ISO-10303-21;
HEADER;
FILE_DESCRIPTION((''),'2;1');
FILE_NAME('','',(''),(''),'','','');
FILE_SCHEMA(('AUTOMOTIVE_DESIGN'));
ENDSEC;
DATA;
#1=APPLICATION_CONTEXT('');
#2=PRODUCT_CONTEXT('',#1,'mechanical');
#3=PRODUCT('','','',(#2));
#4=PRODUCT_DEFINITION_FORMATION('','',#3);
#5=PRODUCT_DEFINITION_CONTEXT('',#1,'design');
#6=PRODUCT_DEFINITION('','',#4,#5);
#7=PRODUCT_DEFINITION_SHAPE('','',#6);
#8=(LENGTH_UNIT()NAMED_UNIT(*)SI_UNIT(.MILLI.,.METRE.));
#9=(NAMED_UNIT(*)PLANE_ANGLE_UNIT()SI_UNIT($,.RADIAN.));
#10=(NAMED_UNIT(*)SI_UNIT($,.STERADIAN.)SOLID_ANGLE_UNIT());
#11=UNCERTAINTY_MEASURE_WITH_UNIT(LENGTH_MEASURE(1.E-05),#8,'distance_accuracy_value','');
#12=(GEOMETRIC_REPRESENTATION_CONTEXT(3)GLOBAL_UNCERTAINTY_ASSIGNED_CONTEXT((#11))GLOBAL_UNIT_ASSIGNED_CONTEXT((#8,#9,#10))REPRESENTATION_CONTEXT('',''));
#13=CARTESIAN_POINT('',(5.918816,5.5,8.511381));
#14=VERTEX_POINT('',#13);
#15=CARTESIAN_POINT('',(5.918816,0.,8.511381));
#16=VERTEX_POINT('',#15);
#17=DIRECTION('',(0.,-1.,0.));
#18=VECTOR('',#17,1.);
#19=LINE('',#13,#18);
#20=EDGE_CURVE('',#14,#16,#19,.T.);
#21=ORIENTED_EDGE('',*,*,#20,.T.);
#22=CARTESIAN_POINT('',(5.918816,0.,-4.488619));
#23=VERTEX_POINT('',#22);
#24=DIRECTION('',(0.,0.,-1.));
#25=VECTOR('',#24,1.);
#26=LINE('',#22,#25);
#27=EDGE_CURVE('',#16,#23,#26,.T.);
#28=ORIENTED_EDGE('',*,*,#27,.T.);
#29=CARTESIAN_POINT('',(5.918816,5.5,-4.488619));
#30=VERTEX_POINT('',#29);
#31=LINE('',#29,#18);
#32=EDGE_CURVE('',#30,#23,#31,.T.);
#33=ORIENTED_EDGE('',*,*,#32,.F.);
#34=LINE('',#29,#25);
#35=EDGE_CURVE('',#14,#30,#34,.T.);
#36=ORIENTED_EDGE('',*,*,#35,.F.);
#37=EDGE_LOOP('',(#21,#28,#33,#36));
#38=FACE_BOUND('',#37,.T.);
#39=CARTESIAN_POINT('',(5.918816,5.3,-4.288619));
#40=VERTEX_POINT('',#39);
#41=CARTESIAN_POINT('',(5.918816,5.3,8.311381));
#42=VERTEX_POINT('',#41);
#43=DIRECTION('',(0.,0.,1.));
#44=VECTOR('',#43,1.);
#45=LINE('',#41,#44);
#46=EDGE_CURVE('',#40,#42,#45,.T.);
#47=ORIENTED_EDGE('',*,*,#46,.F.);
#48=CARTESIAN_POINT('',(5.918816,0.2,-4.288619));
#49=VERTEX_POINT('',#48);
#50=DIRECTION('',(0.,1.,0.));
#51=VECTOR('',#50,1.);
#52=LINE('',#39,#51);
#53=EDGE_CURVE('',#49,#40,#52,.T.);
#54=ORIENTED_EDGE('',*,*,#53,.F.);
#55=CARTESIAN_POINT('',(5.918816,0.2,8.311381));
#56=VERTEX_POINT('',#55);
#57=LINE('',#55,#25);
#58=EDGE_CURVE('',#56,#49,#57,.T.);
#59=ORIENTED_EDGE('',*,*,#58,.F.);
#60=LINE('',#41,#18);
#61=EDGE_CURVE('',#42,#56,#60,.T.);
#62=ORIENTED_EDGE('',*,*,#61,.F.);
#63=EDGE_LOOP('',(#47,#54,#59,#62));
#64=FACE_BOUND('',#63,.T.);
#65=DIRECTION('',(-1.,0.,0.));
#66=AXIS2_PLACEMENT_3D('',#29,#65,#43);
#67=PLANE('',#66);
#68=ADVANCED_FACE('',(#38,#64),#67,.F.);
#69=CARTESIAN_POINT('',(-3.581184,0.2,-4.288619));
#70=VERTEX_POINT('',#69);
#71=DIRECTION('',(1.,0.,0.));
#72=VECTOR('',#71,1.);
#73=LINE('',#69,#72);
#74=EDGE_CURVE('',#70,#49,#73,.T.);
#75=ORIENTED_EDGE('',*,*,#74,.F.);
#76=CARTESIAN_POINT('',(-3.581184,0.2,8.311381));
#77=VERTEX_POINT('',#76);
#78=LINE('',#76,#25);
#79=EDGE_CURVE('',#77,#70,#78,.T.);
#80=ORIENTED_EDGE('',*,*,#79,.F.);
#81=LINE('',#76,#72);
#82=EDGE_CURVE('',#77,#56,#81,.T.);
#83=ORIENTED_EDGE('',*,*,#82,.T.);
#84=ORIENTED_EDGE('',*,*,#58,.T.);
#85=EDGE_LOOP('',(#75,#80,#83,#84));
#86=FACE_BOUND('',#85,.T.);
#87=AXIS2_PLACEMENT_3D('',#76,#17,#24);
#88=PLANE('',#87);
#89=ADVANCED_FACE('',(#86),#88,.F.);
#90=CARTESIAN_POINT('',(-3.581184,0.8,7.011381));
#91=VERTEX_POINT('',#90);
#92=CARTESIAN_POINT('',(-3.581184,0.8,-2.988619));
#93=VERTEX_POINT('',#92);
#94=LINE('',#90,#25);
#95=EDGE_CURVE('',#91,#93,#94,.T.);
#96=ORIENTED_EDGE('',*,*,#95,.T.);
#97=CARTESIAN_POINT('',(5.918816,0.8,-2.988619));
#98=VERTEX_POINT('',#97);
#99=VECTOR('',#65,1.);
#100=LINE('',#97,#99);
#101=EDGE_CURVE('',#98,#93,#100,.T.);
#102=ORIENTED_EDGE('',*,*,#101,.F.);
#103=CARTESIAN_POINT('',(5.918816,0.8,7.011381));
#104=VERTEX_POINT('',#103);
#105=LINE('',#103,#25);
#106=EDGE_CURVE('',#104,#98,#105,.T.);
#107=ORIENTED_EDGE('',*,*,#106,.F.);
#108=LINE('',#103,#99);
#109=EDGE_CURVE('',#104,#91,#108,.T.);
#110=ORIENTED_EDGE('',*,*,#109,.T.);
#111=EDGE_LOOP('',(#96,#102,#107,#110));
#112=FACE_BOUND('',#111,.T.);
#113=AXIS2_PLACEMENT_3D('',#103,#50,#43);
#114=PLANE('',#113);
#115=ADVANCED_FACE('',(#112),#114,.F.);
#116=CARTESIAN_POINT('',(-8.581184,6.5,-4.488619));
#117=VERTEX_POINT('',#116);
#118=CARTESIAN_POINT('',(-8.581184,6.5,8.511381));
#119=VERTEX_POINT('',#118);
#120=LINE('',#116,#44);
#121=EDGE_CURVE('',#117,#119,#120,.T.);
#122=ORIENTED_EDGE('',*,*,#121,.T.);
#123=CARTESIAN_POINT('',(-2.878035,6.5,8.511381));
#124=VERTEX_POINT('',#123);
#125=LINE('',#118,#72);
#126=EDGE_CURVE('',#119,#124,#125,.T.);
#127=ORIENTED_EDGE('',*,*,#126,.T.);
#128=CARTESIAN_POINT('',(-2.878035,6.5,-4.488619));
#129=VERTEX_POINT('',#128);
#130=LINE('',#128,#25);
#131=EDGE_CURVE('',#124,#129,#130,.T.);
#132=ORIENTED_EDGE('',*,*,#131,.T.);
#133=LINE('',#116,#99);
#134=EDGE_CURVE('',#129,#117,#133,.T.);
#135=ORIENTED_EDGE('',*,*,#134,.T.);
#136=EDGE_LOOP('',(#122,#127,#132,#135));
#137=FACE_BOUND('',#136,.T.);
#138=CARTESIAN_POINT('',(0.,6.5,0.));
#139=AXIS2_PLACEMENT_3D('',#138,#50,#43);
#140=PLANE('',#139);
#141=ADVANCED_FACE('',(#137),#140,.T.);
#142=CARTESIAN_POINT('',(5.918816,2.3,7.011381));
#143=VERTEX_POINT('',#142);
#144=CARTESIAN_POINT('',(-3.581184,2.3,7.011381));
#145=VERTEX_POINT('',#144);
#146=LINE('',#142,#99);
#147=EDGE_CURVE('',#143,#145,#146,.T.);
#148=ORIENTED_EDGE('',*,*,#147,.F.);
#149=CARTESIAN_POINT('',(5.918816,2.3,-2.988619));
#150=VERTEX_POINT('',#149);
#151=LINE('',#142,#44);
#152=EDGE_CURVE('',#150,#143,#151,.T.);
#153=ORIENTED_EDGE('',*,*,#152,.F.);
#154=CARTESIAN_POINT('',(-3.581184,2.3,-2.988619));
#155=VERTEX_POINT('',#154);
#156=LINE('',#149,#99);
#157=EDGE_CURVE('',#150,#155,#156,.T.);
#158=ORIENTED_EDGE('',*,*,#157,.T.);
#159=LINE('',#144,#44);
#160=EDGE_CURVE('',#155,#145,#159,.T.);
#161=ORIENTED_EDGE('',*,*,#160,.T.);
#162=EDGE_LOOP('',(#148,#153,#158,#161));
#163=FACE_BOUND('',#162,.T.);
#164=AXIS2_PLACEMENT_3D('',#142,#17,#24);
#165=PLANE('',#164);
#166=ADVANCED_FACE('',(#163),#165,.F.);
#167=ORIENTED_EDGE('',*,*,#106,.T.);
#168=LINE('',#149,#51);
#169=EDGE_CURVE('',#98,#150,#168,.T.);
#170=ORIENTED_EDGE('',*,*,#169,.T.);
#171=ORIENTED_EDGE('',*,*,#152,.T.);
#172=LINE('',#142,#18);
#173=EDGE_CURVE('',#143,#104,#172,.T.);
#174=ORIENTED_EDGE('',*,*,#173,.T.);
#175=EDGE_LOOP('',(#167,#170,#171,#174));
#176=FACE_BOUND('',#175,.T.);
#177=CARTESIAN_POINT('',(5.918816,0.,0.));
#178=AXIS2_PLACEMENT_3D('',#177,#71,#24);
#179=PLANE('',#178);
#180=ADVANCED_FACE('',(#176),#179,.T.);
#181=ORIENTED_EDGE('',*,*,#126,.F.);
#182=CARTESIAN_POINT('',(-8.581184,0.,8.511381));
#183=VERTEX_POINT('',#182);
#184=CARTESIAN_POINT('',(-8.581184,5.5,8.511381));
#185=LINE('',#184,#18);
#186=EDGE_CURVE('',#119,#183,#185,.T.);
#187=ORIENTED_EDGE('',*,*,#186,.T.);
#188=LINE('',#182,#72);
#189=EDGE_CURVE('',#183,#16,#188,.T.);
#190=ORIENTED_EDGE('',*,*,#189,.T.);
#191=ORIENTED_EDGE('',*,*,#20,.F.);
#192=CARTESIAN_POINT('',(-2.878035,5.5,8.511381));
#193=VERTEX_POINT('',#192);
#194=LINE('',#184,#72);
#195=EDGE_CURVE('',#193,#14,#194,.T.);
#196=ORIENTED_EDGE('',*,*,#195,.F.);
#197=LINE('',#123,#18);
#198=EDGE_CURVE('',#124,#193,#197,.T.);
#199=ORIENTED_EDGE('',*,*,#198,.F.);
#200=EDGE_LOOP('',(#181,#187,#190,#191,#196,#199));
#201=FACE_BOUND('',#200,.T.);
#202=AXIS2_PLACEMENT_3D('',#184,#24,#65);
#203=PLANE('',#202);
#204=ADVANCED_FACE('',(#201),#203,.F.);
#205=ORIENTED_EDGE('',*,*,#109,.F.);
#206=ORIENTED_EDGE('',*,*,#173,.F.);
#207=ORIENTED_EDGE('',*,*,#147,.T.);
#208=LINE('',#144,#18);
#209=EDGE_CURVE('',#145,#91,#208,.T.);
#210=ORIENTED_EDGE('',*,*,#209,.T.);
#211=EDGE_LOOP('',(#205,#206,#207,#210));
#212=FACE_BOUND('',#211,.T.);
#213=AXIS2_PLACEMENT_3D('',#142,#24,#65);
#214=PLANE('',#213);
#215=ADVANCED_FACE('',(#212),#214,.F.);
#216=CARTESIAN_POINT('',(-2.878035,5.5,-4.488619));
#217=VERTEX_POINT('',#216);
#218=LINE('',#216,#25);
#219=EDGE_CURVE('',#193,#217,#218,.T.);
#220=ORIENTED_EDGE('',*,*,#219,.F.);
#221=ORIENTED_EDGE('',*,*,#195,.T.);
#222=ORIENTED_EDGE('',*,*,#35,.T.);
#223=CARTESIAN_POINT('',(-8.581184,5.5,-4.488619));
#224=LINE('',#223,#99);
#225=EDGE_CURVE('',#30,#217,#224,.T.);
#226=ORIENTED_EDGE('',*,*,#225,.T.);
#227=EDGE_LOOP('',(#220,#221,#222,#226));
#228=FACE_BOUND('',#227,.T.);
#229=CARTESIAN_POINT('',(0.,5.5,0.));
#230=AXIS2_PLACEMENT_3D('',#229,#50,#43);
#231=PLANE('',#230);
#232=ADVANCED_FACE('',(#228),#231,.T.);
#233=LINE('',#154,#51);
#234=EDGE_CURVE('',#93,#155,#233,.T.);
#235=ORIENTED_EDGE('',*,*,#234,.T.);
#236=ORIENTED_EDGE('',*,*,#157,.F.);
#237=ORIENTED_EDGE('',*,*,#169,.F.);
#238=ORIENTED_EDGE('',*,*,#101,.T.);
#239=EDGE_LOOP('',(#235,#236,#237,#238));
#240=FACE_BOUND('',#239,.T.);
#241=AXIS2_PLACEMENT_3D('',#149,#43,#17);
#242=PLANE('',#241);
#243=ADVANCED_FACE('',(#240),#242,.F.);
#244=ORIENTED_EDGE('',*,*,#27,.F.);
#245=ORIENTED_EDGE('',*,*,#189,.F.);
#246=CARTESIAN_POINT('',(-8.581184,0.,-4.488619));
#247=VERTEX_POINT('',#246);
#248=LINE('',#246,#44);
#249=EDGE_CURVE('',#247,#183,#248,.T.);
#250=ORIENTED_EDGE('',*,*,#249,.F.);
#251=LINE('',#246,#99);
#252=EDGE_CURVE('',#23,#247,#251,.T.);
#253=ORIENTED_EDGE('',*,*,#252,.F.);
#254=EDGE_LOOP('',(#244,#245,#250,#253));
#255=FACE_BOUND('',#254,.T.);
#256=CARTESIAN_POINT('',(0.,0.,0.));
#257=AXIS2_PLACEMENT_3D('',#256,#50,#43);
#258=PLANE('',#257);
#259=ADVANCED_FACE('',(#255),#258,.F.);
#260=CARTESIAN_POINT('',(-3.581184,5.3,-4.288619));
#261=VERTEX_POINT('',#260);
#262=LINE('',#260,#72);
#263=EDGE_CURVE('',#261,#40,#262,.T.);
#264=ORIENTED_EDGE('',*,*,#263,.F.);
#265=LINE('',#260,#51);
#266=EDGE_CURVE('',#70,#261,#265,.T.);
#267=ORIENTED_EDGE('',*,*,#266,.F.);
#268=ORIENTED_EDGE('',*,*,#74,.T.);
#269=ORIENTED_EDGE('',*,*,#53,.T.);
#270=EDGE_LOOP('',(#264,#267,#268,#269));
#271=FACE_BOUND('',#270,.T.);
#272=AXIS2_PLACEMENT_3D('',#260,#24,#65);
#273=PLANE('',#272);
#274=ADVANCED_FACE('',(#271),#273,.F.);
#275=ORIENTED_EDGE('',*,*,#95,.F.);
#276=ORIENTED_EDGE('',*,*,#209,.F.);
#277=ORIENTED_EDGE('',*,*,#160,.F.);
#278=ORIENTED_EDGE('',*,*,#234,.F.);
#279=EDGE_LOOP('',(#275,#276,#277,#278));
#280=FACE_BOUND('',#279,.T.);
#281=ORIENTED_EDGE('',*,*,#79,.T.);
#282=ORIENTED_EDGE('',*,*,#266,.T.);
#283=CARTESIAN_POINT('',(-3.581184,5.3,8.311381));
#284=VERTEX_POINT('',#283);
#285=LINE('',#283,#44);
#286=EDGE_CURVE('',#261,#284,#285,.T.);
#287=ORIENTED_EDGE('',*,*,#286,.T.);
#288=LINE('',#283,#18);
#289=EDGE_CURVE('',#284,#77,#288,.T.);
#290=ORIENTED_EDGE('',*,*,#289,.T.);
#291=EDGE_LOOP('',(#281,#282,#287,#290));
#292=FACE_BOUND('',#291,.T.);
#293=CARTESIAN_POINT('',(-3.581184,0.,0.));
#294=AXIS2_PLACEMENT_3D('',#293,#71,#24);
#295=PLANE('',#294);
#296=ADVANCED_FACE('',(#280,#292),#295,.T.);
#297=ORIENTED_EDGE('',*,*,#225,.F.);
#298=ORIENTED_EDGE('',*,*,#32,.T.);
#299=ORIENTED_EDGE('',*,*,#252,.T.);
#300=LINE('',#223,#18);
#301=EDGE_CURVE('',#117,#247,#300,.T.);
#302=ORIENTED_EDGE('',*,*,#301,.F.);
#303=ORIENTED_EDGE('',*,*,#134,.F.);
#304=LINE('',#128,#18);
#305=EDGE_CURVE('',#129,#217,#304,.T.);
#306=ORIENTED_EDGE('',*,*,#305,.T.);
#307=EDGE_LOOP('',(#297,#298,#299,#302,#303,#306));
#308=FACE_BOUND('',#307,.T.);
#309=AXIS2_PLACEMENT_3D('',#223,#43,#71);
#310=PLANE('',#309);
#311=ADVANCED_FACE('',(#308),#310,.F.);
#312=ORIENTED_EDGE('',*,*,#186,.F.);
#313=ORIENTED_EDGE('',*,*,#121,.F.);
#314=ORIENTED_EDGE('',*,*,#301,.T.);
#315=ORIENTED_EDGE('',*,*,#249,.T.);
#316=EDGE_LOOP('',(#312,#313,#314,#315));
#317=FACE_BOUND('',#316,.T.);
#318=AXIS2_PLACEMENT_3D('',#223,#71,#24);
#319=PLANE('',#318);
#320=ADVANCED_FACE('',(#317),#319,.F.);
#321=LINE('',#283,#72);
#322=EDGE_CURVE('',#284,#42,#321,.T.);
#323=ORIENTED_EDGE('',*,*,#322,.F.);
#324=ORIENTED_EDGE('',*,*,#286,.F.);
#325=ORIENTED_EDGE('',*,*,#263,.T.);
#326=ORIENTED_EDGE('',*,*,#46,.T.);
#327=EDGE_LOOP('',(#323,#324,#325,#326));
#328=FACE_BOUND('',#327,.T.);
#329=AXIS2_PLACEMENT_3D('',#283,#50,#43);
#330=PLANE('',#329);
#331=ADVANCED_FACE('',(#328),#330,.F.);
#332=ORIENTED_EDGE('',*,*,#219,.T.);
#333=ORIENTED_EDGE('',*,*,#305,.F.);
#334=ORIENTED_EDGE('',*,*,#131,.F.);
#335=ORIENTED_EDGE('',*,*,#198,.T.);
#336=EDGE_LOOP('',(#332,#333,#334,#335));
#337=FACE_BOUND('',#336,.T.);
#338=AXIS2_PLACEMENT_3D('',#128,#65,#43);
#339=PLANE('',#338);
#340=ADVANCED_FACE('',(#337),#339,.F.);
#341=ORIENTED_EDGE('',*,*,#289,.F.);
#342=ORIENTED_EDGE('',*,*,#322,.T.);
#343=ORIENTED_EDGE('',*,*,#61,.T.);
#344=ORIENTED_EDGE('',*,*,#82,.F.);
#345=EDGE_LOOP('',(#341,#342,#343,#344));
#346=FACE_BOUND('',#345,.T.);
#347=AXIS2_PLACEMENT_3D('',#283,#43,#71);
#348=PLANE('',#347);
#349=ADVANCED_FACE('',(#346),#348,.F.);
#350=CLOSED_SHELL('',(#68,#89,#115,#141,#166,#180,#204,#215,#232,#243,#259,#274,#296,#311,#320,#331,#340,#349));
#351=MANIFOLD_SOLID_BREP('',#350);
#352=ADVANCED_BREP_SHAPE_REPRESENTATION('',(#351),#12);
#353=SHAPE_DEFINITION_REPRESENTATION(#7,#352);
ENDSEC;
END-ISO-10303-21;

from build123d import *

# Parameters (mm, degrees)
SKETCH_1_W          = 14.5
SKETCH_1_H          = 13
EXTRUDE_1_DEPTH     = 5.5
SKETCH_2_W          = 5.703148186
SKETCH_2_H          = 13
EXTRUDE_2_DEPTH     = 1
SKETCH_3_W          = 12.6
SKETCH_3_H          = 5.1
CUT_EXTRUDE_1_DEPTH = 9.5
SKETCH_4_W          = 10
SKETCH_4_H          = 1.5
EXTRUDE_3_DEPTH     = 9.5


with BuildPart() as part:
    # 草图1 → 凸台-拉伸1 (new body)
    with BuildSketch(Plane(origin=(0, 0, 0), x_dir=(1, 0, 0), z_dir=(0, 1, 0))):
        with Locations((-1.331183612, -2.01138088)):
            Rectangle(SKETCH_1_W, SKETCH_1_H)
    extrude(amount=EXTRUDE_1_DEPTH)

    # 草图2 → 凸台-拉伸2 (add)
    with BuildSketch(Plane(origin=(0, 5.5, 0), x_dir=(1, 0, 0), z_dir=(0, 1, 0))):
        with Locations((-5.729609519, -2.01138088)):
            Rectangle(SKETCH_2_W, SKETCH_2_H)
    extrude(amount=EXTRUDE_2_DEPTH)

    # 草图3 → 切除-拉伸1 (cut)
    with BuildSketch(Plane(origin=(5.918816388, 0, 0), x_dir=(0, 0, -1), z_dir=(1, 0, 0))):
        with Locations((-2.01138088, 2.75)):
            Rectangle(SKETCH_3_W, SKETCH_3_H)
    extrude(amount=-CUT_EXTRUDE_1_DEPTH, mode=Mode.SUBTRACT)

    # 草图4 → 凸台-拉伸3 (add)
    with BuildSketch(Plane(origin=(-3.581183612, 0, 0), x_dir=(0, 0, -1), z_dir=(1, 0, 0))):
        with Locations((-2.01138088, 1.55)):
            Rectangle(SKETCH_4_W, SKETCH_4_H)
    extrude(amount=EXTRUDE_3_DEPTH)


solid = part.part
